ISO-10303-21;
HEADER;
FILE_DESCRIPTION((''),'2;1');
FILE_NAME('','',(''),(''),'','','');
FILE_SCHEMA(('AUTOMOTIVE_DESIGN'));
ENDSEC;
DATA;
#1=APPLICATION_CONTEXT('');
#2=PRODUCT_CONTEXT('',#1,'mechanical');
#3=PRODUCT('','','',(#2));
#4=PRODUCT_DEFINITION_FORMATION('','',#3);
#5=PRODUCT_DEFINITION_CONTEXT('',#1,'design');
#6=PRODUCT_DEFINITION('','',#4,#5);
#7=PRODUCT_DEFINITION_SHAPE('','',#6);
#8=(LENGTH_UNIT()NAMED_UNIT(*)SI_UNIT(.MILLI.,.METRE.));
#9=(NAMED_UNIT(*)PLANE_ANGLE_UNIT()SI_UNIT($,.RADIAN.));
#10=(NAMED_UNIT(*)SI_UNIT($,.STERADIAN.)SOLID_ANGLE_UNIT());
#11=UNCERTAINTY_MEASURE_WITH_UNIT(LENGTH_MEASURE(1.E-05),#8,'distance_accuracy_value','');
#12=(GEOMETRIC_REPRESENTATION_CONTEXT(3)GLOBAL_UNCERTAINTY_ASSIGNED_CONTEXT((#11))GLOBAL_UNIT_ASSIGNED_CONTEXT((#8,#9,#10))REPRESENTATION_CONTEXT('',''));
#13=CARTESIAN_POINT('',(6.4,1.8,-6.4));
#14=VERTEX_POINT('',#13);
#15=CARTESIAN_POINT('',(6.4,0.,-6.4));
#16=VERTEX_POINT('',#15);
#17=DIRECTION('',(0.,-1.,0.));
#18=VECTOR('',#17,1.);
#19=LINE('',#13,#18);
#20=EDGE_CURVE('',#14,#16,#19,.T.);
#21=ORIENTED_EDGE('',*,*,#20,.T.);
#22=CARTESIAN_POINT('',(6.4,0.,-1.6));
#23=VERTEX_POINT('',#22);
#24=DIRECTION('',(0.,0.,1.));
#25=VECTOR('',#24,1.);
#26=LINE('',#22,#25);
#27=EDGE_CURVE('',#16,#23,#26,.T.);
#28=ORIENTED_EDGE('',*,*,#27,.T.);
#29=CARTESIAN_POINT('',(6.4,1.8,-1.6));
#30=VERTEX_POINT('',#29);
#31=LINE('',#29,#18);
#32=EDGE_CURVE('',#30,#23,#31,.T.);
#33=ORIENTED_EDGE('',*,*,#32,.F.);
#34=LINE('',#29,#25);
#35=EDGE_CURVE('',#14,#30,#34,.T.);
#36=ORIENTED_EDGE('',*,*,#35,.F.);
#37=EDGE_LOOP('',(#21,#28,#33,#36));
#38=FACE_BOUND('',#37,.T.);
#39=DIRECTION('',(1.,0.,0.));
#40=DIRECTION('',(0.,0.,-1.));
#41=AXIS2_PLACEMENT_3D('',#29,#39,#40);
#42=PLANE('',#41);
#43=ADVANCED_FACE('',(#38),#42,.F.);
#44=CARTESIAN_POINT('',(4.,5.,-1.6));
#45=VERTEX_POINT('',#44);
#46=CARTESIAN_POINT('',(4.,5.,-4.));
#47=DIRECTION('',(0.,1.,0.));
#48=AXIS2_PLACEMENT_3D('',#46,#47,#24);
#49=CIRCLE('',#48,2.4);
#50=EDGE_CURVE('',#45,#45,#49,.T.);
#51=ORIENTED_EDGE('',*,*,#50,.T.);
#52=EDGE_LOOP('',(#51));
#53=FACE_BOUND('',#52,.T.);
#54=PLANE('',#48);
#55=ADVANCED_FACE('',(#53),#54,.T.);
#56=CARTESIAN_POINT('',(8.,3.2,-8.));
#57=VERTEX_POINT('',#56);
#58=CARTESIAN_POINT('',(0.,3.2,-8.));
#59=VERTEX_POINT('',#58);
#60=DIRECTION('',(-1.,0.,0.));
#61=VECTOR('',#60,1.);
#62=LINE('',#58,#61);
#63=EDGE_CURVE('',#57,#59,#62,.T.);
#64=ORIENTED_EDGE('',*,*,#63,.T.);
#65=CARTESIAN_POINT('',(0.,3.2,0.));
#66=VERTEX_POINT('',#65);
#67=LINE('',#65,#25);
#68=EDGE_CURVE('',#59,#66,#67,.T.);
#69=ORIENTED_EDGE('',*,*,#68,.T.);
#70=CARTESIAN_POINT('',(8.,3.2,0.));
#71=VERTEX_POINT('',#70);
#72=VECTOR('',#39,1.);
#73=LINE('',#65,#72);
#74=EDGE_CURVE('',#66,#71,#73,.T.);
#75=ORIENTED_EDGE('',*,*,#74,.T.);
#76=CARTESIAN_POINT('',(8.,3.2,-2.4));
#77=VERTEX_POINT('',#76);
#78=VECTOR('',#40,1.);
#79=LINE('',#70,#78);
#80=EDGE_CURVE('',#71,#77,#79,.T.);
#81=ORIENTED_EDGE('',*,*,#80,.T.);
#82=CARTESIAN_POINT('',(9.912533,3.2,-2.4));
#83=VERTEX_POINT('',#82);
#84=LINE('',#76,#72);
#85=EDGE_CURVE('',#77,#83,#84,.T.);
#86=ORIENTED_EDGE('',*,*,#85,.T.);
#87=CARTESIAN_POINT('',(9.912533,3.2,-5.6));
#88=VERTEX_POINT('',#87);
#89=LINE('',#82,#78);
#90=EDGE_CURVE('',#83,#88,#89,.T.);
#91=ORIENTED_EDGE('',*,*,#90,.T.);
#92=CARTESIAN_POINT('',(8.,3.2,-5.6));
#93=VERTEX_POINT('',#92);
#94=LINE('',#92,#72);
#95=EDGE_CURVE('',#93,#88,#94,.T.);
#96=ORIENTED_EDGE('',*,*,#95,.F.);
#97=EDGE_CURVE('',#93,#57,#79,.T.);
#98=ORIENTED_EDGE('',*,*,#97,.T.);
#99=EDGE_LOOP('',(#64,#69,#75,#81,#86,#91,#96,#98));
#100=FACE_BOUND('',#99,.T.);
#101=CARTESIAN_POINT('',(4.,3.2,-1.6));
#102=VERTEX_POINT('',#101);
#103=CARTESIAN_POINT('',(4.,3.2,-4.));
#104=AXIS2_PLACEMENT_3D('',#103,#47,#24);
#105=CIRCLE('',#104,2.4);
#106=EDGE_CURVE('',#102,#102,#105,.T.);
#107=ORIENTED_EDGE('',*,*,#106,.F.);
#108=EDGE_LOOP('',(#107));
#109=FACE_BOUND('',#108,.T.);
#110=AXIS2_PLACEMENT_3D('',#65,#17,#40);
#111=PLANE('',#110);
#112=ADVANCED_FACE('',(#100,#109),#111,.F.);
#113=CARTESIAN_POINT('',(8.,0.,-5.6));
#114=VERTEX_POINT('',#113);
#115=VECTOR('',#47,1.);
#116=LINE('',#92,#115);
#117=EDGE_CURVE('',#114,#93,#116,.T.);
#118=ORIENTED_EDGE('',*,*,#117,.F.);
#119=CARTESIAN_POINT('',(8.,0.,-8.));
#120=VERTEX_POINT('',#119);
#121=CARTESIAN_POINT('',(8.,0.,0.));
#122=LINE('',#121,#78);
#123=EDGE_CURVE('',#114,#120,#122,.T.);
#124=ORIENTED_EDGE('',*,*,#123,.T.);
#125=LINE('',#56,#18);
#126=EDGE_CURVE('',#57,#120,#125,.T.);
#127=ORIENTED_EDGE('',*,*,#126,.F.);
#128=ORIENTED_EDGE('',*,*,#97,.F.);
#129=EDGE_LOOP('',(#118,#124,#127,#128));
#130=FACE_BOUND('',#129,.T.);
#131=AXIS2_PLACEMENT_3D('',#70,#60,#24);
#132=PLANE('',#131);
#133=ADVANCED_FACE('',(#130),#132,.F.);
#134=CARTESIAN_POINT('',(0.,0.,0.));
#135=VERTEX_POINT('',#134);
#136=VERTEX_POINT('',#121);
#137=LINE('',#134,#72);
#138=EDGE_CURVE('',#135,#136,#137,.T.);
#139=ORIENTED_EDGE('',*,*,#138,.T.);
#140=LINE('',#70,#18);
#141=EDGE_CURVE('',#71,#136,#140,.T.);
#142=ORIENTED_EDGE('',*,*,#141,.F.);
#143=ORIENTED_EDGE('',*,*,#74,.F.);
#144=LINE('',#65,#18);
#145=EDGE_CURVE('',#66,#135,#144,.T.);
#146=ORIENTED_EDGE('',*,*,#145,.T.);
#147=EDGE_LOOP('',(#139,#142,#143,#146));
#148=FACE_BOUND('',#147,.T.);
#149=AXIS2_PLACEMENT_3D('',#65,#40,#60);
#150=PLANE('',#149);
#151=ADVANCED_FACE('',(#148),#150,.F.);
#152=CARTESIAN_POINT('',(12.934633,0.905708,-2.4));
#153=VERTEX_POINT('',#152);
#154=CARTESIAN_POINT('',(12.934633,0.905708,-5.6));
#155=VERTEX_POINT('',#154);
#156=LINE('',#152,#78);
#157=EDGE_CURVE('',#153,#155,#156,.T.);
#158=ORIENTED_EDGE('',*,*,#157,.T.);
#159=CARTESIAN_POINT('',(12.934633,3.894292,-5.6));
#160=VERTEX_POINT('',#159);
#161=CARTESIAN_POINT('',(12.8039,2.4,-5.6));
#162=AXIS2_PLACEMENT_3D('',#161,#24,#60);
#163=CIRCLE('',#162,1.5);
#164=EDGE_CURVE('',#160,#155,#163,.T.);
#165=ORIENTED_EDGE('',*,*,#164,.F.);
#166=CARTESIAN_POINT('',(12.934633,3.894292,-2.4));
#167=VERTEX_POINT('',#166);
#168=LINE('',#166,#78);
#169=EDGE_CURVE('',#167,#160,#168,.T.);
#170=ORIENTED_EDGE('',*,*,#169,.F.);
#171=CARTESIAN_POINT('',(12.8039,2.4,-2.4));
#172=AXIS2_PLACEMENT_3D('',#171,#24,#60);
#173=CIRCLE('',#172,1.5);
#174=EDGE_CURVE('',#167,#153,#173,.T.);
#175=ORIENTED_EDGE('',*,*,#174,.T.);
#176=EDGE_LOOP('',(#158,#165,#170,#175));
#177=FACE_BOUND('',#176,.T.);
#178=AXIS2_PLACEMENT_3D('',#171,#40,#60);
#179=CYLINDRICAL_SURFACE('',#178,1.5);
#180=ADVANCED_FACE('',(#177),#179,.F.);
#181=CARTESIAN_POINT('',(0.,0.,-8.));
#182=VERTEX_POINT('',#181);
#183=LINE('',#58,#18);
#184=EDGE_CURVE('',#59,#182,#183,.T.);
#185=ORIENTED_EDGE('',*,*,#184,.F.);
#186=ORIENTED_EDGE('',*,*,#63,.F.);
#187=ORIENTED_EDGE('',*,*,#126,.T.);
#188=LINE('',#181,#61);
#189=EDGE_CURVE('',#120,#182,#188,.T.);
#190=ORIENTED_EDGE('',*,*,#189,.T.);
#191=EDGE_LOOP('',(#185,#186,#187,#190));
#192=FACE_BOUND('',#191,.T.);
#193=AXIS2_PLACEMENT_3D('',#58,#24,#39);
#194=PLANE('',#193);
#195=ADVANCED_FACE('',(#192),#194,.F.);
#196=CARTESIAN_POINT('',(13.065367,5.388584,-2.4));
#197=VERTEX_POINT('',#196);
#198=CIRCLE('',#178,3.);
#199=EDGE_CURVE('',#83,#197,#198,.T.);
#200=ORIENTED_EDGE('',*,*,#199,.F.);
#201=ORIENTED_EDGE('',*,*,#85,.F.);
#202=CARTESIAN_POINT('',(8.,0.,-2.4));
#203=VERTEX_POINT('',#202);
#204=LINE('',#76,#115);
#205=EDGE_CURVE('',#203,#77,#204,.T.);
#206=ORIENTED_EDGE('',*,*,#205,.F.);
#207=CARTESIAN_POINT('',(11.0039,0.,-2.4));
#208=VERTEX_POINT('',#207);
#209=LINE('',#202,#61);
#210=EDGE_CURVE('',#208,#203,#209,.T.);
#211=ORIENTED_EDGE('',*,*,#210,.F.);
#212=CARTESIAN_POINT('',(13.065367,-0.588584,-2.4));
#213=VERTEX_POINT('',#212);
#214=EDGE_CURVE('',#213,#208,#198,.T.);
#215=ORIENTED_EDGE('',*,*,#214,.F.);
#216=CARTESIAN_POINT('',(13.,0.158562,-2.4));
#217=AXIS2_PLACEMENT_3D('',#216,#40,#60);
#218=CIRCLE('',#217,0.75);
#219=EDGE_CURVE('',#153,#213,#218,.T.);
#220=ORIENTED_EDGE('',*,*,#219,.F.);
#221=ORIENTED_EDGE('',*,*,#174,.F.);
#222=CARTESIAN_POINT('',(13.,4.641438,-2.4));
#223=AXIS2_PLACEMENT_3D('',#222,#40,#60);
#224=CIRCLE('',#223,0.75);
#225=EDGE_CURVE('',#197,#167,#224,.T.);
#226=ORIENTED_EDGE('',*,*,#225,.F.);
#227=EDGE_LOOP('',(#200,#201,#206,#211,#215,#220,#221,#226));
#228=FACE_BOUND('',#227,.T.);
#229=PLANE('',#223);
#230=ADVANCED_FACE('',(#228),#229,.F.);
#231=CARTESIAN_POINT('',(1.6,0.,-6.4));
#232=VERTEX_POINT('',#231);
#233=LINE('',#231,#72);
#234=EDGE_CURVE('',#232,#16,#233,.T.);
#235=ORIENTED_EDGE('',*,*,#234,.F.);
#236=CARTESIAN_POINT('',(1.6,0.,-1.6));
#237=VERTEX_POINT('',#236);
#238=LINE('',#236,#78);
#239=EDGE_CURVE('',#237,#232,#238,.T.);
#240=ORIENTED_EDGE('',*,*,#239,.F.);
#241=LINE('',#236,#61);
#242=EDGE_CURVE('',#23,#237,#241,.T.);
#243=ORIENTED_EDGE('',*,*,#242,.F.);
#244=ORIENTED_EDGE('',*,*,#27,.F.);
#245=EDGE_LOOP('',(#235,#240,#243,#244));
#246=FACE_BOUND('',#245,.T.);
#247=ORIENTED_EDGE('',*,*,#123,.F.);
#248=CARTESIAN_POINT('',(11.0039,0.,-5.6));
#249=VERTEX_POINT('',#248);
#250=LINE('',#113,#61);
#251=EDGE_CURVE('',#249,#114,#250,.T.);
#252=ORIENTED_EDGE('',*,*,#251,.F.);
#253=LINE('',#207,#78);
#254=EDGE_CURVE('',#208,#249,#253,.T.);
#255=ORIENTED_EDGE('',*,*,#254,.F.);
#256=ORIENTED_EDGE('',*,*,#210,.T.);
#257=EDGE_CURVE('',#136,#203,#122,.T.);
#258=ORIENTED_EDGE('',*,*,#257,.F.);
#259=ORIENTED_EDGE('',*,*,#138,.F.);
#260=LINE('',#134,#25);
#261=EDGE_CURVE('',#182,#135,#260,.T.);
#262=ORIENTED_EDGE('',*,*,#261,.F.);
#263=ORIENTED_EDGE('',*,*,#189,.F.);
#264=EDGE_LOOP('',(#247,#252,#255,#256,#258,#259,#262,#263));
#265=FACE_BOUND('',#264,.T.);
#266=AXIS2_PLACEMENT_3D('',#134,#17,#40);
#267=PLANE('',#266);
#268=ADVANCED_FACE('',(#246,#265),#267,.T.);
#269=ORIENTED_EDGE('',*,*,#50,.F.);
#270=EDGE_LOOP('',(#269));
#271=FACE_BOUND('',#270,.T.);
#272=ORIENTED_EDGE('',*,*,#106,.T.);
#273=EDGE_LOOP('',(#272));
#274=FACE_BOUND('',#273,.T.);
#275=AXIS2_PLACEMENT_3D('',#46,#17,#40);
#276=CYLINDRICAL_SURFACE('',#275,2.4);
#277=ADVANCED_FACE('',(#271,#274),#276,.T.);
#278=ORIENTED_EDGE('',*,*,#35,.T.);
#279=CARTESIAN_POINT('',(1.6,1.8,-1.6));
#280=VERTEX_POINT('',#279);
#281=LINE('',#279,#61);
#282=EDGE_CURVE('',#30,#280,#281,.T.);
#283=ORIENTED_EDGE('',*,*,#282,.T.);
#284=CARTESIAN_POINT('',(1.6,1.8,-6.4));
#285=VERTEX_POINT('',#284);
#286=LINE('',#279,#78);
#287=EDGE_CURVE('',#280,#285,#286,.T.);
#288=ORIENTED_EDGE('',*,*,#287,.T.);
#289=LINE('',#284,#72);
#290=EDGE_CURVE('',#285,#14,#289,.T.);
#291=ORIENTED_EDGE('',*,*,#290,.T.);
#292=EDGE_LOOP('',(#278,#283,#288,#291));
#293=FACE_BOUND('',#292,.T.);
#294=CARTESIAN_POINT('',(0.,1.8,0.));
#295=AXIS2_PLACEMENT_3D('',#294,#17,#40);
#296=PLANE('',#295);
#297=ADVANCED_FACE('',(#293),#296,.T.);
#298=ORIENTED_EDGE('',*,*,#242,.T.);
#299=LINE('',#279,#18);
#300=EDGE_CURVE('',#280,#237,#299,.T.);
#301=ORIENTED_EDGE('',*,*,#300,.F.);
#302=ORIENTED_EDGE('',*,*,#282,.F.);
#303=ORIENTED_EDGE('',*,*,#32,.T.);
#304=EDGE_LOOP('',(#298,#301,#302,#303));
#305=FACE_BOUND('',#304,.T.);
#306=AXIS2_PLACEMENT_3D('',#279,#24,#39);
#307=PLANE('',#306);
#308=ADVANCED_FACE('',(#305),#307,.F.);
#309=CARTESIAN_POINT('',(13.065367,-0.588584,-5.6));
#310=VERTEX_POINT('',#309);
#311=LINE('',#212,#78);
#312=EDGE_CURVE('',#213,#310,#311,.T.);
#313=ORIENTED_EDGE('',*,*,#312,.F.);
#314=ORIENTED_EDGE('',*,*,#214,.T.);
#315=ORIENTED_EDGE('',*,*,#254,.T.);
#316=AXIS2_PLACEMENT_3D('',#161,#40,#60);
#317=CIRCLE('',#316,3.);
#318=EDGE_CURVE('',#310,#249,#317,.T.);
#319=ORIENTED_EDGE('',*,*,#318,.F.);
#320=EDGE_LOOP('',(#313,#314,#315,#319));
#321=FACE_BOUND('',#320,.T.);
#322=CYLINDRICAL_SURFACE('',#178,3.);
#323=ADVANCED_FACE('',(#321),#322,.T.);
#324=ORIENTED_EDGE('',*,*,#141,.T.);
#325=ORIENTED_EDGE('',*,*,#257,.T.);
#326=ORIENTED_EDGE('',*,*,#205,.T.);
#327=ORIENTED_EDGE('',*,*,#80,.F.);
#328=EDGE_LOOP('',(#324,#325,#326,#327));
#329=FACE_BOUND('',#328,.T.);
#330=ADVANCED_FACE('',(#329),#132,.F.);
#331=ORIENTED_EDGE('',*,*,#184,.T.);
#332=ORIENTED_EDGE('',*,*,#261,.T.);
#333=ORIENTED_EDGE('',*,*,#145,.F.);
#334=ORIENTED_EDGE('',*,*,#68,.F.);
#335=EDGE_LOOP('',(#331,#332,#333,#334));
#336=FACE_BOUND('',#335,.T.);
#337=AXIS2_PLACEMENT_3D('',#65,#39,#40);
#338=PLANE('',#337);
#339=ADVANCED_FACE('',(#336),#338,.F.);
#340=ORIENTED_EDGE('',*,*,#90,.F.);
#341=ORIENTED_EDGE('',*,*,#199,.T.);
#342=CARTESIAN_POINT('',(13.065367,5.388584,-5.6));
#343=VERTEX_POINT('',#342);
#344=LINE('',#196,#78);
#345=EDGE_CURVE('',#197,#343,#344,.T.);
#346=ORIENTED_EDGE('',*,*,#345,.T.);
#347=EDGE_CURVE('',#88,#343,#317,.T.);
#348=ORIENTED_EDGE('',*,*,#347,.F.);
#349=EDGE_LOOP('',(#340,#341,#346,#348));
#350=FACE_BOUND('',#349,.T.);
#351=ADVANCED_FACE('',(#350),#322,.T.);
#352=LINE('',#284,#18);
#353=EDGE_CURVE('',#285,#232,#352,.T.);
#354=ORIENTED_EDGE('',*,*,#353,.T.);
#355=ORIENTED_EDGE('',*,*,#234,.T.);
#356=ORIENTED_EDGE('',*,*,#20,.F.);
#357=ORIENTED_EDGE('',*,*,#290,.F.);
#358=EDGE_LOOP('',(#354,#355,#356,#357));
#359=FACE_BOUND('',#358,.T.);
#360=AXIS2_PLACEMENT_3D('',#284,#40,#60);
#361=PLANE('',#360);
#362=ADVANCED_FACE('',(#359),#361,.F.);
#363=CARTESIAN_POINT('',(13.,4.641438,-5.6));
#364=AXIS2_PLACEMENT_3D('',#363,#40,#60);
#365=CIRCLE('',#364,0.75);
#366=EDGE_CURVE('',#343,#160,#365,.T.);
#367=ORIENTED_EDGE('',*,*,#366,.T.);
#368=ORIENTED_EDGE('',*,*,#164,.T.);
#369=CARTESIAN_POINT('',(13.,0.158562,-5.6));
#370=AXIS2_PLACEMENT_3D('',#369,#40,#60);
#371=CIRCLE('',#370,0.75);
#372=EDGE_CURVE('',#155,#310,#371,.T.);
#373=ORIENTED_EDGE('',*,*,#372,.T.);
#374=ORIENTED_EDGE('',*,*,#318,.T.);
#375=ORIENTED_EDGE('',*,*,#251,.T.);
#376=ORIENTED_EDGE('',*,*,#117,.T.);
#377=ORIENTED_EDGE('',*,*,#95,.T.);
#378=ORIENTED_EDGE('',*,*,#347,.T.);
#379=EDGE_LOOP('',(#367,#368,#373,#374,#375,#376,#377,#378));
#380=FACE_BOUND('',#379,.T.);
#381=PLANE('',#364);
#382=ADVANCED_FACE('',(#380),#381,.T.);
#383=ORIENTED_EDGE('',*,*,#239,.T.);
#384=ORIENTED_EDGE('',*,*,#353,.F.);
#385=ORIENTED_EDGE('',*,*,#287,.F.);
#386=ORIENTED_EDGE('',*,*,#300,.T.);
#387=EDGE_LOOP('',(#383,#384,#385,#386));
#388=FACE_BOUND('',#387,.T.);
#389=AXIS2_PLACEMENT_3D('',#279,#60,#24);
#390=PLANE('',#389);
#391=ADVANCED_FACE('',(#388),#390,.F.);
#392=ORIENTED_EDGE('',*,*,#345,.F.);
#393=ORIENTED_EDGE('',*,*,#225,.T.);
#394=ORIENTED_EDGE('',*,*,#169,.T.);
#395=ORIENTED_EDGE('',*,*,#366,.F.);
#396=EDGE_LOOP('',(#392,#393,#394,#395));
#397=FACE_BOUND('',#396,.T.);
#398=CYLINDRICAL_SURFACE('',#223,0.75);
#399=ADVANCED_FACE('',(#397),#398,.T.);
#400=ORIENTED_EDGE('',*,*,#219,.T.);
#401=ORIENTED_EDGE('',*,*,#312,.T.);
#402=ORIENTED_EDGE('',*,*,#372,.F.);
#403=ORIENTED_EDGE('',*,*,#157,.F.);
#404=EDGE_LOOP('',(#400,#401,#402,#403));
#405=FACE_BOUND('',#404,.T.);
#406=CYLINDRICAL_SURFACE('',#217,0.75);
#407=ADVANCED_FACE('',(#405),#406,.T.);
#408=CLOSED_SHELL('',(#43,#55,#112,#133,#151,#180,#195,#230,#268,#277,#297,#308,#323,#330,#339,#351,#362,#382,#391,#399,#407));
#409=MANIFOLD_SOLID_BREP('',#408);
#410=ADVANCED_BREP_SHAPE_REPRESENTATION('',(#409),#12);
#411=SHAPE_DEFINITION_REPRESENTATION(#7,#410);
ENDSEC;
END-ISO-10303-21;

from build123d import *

# Parameters (mm, degrees)
SKETCH1_W                = 8
SKETCH1_H                = 8
BOSS_EXTRUDE1_DEPTH      = 3.2
SKETCH2_R                = 2.4
BOSS_EXTRUDE2_DEPTH      = 1.8
SKETCH3_W                = 4.8
SKETCH3_H                = 4.8
CUT_EXTRUDE1_DEPTH       = 1.8
BOSS_EXTRUDE3_DEPTH      = 1.6
BOSS_EXTRUDE3_DEPTH_BACK = 1.6


with BuildPart() as part:
    # Sketch1 → Boss-Extrude1 (new body)
    with BuildSketch(Plane(origin=(0, 0, 0), x_dir=(1, 0, 0), z_dir=(0, 1, 0))):
        with Locations((4, 4)):
            Rectangle(SKETCH1_W, SKETCH1_H)
    extrude(amount=BOSS_EXTRUDE1_DEPTH)

    # Sketch2 → Boss-Extrude2 (add)
    with BuildSketch(Plane(origin=(0, 3.2, 0), x_dir=(1, 0, 0), z_dir=(0, 1, 0))):
        with Locations((4, 4)):
            Circle(SKETCH2_R)
    extrude(amount=BOSS_EXTRUDE2_DEPTH)

    # Sketch3 → Cut-Extrude1 (cut)
    with BuildSketch(Plane.XZ):
        with Locations((4, -4)):
            Rectangle(SKETCH3_W, SKETCH3_H)
    extrude(amount=-CUT_EXTRUDE1_DEPTH, mode=Mode.SUBTRACT)

    # Sketch4 → Boss-Extrude3 (add, two sides: drawn at the far end of the back side and taken through both)
    with BuildSketch(Plane(origin=(0, 0, -4), x_dir=(-1, 0, 0), z_dir=(0, 0, -1)).offset(-BOSS_EXTRUDE3_DEPTH_BACK)):
        with BuildLine():
            Line((-8, 3.2), (-9.91253312, 3.2))
            ThreePointArc((-9.91253312, 3.2), (-11.093178218, 4.86443349), (-13.065366807, 5.388584094))
            ThreePointArc((-13.065366807, 5.388584094), (-13.747146024, 4.576071264), (-12.934633193, 3.894292047))
            ThreePointArc((-12.934633193, 3.894292047), (-11.303899579, 2.4), (-12.934633193, 0.905707953))
            ThreePointArc((-12.934633193, 0.905707953), (-13.747146024, 0.223928736), (-13.065366807, -0.588584094))
            ThreePointArc((-13.065366807, -0.588584094), (-11.98026217, -0.48472207), (-11.003899579, 0))
            Line((-11.003899579, 0), (-8, 0))
            Line((-8, 0), (-8, 3.2))
        make_face()
    extrude(amount=BOSS_EXTRUDE3_DEPTH + BOSS_EXTRUDE3_DEPTH_BACK)


solid = part.part
